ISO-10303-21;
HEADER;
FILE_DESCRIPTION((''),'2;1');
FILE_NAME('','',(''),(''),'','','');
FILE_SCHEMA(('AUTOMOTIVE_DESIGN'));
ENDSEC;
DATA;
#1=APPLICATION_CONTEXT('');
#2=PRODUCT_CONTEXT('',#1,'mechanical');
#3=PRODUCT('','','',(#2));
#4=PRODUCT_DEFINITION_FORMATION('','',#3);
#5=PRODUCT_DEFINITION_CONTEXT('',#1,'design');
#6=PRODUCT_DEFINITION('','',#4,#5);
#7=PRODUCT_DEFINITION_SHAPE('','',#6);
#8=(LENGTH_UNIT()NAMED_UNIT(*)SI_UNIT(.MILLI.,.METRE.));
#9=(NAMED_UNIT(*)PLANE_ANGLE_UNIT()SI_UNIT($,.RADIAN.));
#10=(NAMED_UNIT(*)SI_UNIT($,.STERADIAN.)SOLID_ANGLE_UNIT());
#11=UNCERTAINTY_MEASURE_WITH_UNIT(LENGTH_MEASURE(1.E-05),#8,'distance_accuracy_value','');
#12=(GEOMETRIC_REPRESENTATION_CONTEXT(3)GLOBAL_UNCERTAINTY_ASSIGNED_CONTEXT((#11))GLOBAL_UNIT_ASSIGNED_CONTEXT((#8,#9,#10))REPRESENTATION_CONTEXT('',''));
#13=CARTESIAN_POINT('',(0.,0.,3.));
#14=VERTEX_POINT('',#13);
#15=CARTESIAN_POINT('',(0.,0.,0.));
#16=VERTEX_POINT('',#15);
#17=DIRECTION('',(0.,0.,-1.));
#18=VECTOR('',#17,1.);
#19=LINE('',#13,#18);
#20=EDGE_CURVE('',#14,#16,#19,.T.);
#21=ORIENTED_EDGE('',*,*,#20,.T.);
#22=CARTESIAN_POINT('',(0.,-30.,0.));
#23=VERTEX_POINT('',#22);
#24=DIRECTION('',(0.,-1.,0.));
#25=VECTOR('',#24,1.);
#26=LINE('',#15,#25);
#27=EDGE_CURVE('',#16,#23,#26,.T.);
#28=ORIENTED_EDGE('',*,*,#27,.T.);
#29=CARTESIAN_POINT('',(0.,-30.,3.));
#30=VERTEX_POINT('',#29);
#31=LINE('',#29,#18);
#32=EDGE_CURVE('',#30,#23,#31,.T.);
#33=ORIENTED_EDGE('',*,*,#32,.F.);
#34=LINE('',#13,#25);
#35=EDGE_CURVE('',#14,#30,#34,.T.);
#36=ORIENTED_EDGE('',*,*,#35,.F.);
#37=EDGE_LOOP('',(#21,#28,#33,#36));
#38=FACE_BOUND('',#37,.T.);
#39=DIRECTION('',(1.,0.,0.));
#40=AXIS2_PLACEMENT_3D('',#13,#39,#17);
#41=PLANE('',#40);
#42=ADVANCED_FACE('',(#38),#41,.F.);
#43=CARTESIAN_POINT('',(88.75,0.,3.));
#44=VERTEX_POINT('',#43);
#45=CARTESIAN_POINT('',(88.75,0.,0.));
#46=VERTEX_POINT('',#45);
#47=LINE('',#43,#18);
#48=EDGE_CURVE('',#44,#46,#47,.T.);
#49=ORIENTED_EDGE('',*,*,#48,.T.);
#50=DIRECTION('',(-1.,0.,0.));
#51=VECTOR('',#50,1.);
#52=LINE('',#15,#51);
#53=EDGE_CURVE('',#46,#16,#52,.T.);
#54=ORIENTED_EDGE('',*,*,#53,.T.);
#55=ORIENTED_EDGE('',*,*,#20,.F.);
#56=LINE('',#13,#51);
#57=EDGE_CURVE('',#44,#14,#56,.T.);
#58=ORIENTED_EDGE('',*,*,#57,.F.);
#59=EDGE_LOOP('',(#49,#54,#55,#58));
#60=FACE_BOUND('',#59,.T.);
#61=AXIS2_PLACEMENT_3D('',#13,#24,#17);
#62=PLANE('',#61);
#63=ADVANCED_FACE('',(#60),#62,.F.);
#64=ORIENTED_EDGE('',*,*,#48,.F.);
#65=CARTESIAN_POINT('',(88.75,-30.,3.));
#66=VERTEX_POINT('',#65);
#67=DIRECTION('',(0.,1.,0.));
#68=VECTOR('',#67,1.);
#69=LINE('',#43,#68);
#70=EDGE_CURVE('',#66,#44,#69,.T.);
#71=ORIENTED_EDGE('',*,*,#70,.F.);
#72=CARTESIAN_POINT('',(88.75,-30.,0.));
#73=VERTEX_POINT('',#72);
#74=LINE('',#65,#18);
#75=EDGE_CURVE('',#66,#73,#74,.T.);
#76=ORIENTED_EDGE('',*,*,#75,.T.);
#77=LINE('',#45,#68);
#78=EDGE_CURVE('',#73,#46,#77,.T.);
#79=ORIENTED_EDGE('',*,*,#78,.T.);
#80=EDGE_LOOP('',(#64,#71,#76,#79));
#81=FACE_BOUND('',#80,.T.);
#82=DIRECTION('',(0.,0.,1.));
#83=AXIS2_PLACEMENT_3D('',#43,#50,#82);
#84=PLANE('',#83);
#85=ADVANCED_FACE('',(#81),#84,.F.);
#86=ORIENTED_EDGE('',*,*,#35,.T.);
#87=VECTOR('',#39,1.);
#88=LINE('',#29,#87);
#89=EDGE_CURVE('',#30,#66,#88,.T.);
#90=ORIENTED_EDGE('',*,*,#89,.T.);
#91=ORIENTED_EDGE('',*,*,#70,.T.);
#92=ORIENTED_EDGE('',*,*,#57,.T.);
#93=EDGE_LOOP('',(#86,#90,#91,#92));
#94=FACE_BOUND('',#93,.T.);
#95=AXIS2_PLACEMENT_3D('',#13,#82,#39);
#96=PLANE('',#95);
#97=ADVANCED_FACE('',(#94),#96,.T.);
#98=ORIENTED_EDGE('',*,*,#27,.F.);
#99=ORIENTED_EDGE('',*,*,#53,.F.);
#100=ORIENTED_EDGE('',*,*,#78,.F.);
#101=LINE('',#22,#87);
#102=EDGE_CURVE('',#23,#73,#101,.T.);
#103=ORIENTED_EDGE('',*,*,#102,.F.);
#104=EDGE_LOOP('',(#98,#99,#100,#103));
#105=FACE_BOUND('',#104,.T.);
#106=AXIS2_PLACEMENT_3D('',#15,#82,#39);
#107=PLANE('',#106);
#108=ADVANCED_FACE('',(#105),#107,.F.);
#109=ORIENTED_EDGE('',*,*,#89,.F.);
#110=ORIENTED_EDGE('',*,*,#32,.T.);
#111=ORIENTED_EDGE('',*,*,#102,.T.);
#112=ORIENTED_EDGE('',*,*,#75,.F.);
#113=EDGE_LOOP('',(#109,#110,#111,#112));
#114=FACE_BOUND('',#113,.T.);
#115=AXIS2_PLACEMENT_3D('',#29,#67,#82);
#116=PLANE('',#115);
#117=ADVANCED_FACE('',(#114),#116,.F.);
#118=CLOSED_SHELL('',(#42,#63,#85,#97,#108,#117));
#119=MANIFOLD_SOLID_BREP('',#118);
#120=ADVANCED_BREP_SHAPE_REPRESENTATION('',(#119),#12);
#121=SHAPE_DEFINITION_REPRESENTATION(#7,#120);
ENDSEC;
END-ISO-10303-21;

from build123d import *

# Parameters (mm, degrees)
ESQUISSE1_W        = 88.75
ESQUISSE1_H        = 30
BOSS_EXTRU_1_DEPTH = 3


with BuildPart() as part:
    # Esquisse1 → Boss.-Extru.1 (new body)
    with BuildSketch(Plane.XY):
        with Locations((44.375, -15)):
            Rectangle(ESQUISSE1_W, ESQUISSE1_H)
    extrude(amount=BOSS_EXTRU_1_DEPTH)


solid = part.part
